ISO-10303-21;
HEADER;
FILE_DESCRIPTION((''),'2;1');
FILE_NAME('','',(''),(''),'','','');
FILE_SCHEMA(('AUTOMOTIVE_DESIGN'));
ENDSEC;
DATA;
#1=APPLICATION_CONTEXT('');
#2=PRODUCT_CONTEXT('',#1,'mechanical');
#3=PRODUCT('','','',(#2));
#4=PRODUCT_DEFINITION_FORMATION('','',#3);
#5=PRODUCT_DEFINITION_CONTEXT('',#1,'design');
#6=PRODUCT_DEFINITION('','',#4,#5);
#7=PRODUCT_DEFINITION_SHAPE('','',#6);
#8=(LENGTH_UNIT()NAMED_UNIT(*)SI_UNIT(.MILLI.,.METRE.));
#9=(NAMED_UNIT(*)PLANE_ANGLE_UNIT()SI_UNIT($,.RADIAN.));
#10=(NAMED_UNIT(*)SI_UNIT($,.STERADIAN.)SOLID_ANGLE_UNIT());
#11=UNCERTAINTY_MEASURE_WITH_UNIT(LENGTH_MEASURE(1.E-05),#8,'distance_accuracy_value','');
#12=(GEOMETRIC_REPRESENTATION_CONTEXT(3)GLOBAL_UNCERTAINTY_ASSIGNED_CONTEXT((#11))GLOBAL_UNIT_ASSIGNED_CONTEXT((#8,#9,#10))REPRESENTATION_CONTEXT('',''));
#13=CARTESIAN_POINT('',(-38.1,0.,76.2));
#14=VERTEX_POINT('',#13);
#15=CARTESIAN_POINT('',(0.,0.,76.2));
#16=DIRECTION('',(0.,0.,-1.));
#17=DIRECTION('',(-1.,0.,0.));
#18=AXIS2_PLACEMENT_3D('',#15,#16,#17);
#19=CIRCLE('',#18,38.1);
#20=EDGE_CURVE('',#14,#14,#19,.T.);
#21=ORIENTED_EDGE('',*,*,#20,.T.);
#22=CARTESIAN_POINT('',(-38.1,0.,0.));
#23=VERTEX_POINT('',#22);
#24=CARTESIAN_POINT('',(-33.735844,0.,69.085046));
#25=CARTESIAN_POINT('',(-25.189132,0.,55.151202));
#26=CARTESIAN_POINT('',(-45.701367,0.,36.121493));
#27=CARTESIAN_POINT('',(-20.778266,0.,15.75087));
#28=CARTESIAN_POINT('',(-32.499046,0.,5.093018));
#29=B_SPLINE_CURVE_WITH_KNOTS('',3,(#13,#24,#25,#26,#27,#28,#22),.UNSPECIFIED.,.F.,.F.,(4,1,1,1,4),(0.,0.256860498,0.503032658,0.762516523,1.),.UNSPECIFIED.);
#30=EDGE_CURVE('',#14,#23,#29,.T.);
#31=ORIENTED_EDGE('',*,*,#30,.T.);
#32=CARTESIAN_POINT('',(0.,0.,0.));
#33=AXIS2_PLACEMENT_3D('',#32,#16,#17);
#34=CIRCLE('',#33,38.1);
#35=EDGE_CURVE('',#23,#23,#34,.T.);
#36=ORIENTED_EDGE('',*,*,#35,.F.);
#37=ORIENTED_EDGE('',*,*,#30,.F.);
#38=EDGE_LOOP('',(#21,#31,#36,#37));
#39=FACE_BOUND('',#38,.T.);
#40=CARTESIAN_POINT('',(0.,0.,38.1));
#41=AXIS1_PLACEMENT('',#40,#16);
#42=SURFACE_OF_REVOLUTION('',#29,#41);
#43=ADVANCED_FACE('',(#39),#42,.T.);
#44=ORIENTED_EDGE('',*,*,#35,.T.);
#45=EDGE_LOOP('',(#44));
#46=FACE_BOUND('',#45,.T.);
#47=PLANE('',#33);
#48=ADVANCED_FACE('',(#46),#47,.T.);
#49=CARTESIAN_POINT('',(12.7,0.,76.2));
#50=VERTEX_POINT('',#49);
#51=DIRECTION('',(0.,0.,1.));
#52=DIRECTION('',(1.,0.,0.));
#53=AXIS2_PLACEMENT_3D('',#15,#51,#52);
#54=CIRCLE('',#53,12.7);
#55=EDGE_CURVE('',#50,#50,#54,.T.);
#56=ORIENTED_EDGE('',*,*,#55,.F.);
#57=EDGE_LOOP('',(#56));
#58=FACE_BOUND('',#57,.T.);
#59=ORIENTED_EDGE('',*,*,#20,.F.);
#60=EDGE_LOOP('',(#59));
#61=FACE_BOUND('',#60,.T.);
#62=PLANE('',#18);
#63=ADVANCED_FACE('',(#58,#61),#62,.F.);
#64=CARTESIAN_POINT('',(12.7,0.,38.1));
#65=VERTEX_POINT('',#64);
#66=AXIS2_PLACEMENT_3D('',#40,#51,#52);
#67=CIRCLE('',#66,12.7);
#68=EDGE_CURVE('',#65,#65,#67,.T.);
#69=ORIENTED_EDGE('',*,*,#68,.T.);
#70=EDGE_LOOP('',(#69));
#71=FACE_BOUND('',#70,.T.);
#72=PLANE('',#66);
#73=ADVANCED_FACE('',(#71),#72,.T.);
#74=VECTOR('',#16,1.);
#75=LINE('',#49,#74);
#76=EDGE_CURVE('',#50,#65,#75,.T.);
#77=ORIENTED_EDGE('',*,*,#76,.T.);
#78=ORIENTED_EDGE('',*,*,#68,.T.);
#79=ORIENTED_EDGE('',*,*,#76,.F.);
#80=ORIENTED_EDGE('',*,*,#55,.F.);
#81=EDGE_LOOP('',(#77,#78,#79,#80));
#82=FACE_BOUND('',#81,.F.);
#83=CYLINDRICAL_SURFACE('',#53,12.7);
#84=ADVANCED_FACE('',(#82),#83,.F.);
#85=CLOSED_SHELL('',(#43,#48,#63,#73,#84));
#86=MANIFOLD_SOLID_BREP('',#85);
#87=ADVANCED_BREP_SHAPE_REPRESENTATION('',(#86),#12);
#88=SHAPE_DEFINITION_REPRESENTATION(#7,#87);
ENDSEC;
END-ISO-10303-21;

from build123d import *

# Parameters (mm, degrees)
F2_R     = 12.7
F3_DEPTH = 38.1


with BuildPart() as f1:
    # F0 (on Front) → F1 (revolve)
    with BuildSketch(Plane.XZ):
        with BuildLine():
            Line((-38.1, 0), (0, 0))
            Line((0, 0), (0, 76.2))
            Line((0, 76.2), (-38.1, 76.2))
            add(Edge.make_bspline(
                [(-38.1, 76.2), (-33.7358442931, 69.0850462116), (-25.1891317358, 55.1512021943), (-45.7013673601, 36.1214934758), (-20.7782663665, 15.7508696624), (-32.4990456215, 5.0930180701), (-38.1, 0)],
                knots=[0, 0, 0, 0, 0.2568604982, 0.503032658, 0.762516523, 1, 1, 1, 1], degree=3))
        make_face()
    revolve(axis=Axis((0, 0, 38.1), (0, 0, -1)))

    # F2 (on face) → F3 (cut)
    with BuildSketch(Plane.XY.offset(76.2)):
        Circle(F2_R)
    extrude(amount=-F3_DEPTH, mode=Mode.SUBTRACT)


solid = f1.part
